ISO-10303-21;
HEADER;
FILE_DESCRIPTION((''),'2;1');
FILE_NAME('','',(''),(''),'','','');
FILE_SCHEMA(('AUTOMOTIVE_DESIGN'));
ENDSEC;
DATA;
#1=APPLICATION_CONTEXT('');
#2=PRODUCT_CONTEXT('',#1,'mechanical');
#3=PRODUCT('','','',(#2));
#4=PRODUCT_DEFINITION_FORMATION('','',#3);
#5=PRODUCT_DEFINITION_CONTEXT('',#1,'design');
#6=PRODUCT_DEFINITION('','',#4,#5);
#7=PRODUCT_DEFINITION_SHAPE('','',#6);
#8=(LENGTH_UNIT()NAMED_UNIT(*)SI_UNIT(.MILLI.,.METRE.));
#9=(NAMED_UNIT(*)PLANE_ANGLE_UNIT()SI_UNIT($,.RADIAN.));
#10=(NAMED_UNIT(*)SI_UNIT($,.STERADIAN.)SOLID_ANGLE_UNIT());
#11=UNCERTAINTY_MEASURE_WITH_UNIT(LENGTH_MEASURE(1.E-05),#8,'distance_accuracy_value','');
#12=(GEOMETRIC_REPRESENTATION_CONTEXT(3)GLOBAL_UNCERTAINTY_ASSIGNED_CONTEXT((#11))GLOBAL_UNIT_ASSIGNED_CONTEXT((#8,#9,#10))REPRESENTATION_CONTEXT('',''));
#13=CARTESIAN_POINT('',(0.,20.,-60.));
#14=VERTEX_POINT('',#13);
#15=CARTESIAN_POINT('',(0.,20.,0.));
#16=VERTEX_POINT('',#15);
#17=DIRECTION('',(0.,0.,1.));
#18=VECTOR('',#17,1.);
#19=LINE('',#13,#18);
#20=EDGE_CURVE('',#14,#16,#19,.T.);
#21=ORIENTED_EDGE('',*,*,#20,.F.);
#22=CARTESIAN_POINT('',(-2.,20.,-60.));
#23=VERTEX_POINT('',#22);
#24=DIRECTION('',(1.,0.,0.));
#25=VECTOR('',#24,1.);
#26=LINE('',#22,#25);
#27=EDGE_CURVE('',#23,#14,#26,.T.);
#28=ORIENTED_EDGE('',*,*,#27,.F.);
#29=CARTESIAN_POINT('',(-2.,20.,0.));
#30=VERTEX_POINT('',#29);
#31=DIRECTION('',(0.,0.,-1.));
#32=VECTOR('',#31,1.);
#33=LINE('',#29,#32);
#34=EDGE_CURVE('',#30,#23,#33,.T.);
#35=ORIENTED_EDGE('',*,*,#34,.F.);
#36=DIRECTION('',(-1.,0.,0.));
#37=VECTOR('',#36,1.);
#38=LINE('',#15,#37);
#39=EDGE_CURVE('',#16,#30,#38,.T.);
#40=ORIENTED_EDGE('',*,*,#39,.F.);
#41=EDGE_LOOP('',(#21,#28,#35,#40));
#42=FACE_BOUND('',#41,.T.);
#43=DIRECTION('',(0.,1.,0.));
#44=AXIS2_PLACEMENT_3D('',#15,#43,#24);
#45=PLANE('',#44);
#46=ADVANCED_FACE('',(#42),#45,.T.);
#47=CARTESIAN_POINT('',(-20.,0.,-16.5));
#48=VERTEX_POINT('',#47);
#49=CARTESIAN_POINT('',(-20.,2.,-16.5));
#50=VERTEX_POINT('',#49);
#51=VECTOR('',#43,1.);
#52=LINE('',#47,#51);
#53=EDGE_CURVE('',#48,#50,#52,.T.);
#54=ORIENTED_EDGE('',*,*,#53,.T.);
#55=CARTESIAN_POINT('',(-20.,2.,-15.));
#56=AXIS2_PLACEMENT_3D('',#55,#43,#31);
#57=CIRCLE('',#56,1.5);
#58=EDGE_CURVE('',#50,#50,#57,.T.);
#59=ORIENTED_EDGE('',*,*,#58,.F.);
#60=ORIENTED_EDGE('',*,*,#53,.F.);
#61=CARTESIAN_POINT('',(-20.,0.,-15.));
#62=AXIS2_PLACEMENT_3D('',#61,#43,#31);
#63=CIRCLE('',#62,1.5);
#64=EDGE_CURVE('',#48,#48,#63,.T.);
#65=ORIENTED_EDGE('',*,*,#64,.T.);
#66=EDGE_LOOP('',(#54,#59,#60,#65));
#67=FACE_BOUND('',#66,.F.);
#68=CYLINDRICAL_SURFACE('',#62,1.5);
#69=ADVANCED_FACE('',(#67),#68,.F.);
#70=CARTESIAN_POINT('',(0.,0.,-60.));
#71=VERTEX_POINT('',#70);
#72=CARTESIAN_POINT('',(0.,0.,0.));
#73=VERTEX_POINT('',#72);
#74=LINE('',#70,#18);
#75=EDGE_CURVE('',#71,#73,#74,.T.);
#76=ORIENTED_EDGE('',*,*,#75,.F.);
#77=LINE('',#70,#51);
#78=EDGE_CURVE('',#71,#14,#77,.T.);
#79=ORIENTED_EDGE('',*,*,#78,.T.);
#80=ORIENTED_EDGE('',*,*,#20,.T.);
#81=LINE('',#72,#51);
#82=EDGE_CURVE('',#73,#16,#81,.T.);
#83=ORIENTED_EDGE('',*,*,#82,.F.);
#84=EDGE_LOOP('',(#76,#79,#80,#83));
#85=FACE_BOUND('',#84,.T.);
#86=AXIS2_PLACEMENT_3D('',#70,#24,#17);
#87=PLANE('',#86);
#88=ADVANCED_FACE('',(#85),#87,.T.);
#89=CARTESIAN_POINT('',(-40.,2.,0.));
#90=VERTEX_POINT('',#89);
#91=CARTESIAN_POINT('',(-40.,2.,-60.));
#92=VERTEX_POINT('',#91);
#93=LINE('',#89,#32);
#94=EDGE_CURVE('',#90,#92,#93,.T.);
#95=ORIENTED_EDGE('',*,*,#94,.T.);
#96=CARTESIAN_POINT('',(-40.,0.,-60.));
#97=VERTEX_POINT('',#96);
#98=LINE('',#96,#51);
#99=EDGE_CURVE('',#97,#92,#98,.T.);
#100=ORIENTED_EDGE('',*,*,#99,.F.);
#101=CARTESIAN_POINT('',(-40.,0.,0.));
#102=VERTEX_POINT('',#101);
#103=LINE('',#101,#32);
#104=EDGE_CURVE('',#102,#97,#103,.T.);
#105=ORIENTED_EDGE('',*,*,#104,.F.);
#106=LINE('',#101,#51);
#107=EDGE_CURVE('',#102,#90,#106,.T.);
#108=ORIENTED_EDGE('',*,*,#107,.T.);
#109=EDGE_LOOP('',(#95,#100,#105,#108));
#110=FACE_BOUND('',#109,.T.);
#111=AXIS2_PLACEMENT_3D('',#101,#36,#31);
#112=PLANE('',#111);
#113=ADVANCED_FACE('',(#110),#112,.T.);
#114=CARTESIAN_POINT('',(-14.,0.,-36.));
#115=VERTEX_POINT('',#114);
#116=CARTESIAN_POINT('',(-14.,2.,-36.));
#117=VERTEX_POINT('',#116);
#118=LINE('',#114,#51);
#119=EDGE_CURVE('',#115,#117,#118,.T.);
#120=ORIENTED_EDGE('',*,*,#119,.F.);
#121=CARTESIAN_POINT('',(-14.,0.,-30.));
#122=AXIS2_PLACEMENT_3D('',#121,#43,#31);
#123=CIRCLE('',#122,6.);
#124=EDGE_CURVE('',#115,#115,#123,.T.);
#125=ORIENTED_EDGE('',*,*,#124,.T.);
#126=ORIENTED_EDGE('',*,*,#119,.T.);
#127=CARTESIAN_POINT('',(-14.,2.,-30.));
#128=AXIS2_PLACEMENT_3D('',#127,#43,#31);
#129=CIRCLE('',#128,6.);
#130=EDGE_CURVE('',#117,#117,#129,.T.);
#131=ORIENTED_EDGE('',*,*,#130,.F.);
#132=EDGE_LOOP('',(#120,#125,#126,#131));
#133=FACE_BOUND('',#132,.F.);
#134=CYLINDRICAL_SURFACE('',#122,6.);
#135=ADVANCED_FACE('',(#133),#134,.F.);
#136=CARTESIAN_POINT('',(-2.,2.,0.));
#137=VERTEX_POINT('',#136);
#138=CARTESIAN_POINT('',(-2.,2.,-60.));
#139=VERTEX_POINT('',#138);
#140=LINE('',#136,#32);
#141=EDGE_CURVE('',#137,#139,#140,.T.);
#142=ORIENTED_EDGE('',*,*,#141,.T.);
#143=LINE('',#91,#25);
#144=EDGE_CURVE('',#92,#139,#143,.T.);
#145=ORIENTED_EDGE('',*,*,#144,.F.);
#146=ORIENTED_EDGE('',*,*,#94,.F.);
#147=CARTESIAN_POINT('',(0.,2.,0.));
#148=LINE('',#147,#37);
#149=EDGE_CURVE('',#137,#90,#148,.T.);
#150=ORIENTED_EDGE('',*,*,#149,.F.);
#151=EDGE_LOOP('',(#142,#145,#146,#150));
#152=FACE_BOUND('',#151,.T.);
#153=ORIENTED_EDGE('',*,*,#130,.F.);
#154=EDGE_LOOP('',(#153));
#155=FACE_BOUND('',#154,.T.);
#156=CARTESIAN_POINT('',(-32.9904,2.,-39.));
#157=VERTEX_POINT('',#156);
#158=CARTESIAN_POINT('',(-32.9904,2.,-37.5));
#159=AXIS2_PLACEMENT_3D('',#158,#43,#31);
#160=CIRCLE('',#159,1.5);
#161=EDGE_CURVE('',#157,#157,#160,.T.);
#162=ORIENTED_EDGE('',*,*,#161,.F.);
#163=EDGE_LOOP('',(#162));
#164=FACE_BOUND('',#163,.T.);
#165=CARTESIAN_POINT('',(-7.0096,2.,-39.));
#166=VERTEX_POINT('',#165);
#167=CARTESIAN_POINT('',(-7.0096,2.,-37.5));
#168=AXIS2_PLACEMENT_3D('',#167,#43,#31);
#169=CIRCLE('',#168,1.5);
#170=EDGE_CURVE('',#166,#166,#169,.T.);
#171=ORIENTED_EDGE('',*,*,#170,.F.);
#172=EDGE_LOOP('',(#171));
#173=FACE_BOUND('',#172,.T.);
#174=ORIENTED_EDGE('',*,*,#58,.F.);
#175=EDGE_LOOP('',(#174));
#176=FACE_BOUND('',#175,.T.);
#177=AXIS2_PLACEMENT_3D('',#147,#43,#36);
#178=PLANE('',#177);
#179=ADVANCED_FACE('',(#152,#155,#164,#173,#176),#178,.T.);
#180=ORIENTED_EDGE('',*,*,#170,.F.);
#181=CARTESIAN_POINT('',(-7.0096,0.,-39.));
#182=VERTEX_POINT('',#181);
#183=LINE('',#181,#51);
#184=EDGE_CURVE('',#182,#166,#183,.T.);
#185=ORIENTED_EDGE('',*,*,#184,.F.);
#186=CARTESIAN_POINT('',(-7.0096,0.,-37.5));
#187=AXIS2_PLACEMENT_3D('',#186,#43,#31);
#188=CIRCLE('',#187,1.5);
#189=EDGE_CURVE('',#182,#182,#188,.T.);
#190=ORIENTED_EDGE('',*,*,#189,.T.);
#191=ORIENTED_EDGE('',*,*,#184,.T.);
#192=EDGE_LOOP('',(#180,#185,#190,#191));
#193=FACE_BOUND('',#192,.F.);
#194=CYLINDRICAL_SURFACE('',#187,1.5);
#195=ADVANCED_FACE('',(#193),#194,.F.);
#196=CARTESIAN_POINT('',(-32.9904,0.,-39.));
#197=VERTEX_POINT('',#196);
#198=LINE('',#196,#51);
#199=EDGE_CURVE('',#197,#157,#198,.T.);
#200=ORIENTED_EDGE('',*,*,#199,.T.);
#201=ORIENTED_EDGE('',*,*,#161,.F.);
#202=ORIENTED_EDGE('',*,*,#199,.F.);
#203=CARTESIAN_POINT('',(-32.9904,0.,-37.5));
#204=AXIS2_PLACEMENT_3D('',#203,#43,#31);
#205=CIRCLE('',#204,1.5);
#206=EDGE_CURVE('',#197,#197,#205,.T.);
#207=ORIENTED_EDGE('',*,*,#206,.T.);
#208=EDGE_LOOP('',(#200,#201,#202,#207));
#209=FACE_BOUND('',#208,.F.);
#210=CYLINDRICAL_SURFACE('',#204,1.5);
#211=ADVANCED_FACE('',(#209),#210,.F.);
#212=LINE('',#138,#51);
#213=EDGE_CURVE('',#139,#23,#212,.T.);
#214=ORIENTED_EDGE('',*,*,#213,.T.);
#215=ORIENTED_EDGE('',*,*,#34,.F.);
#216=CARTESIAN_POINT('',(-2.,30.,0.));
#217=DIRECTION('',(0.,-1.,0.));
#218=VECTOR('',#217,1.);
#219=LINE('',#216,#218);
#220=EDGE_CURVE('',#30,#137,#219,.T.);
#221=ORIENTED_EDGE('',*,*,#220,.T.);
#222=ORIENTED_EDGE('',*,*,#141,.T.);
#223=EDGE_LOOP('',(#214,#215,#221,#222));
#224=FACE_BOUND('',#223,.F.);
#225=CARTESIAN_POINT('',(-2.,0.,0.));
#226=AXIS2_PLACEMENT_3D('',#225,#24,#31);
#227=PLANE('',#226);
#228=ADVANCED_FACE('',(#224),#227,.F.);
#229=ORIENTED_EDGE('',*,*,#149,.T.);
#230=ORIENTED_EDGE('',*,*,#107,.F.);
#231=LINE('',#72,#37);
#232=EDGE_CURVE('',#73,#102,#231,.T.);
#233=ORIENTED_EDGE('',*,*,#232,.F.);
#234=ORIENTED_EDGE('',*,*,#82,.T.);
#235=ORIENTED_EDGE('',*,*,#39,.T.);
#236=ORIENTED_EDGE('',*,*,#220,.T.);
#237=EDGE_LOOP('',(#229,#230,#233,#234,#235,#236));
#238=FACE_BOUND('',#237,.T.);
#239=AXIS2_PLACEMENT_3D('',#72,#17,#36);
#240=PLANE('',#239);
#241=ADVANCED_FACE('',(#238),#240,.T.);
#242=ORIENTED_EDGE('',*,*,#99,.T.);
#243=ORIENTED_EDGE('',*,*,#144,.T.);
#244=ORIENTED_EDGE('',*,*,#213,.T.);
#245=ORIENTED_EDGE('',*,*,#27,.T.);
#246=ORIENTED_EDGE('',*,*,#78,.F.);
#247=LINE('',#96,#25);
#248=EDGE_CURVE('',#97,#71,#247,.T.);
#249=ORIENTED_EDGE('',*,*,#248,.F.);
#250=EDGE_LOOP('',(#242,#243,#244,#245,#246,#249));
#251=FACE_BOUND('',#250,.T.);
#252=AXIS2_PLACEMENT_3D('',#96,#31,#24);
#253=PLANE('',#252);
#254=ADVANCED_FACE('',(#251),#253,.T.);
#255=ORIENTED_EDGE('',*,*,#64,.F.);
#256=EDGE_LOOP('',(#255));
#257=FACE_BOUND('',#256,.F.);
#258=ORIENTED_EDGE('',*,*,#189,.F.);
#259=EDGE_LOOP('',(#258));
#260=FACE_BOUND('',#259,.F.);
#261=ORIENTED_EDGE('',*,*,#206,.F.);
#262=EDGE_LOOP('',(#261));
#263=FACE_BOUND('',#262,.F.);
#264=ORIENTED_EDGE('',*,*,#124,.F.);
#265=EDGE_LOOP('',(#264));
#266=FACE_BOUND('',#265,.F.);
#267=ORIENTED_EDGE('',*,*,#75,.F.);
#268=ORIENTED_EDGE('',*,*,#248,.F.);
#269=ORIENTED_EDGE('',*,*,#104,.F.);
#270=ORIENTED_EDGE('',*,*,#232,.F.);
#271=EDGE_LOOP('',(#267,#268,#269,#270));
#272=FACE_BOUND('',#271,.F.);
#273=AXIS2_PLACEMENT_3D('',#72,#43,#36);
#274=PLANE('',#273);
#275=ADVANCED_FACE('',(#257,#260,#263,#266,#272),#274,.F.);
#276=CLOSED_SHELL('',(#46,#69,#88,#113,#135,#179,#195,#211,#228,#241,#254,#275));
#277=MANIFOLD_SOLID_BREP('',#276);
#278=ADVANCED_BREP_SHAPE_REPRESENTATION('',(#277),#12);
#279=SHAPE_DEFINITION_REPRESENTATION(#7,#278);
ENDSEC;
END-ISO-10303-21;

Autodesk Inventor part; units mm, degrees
ref_plane "YZ Plane" through (0, 0, 0) normal (1, 0, 0) x (0, 1, 0)
ref_plane "XZ Plane" through (0, 0, 0) normal (0, 1, 0) x (-1, 0, 0)
ref_plane "XY Plane" through (0, 0, 0) normal (0, 0, 1) x (1, 0, 0)
sketch "スケッチ1" plane through (0, 0, 0) normal (0, 1, 0) x (-1, 0, 0)
  line L0 (0, 0) -> (40, 0)
  line L1 (40, 0) -> (40, -60)
  line L2 (40, -60) -> (0, -60)
  line L3 (0, -60) -> (0, 0)
  dimension "d0" = 40
  dimension "d1" = 60
extrude "押し出し1" add sketch "スケッチ1" along normal blind 2
sketch "スケッチ2" plane through (0, 0, 0) normal (1, 0, 0) x (0, 0, -1)
  line L0 (0, 2) -> (60, 2)
  line L1 (60, 2) -> (60, 30)
  line L2 (60, 30) -> (0, 30)
  line L3 (0, 30) -> (0, 2)
  point P0 (0, 0)
  dimension "d4" = 60
  dimension "d5" = 28
extrude "押し出し2" add sketch "スケッチ2" against normal blind 2
sketch "スケッチ5" plane through (0, 0, 0) normal (1, 0, 0) x (0, 0, -1)
  point P0 (0, 0)
sketch "スケッチ9" plane through (0, 0, 0) normal (0, -1, 0) x (1, 0, 0)
  point P0 (0, 0)
sketch "スケッチ11" plane through (0, 30, 0) normal (0, 1, 0) x (1, 0, 0)
  line L0 (0, 0) -> (-2, 0)
  line L1 (-2, 0) -> (-2, 60)
  line L2 (-2, 60) -> (0, 60)
  line L3 (0, 60) -> (0, 0)
extrude "押し出し6" cut sketch "スケッチ11" against normal blind 10
sketch "スケッチ12" plane through (0, 0, 0) normal (0, -1, 0) x (1, 0, 0)
  line L0 (0, -60) -> (0, 0) projected
  line L1 (0, -30) -> (-14, -30)
  dimension "d67" = 14
hole "穴4" at (-14, 0, -30) direction (0, 1, 0) diameter 12 end through all
sketch "スケッチ13" plane through (0, 0, 0) normal (0, -1, 0) x (1, 0, 0)
  line L0 (0, -60) -> (0, 0) projected
  line L1 (0, -30) -> (-20, -30)
  circle A0 centre (-20, -30) radius 15
  line L2 (-20, -30) -> (-20, -15)
  line L3 (-20, -30) -> (5.9808, -45)
  line L4 (-20, -30) -> (-149.9038, -105)
  point P0 (-7.0096, -37.5)
  point P1 (-32.9904, -37.5)
  dimension "d76" = 30
  dimension "d75" = 20
  dimension "d77" = 15
  dimension "d78" = 30
  dimension "d79" = 150
  dimension "d80" = 120
  dimension "d81" = 120
hole "穴5" at (-7.0096, 0, -37.5) at (-32.9904, 0, -37.5) at (-20, 0, -15) direction (0, 1, 0) diameter 3 end through all
properties part number "モーター固定"
